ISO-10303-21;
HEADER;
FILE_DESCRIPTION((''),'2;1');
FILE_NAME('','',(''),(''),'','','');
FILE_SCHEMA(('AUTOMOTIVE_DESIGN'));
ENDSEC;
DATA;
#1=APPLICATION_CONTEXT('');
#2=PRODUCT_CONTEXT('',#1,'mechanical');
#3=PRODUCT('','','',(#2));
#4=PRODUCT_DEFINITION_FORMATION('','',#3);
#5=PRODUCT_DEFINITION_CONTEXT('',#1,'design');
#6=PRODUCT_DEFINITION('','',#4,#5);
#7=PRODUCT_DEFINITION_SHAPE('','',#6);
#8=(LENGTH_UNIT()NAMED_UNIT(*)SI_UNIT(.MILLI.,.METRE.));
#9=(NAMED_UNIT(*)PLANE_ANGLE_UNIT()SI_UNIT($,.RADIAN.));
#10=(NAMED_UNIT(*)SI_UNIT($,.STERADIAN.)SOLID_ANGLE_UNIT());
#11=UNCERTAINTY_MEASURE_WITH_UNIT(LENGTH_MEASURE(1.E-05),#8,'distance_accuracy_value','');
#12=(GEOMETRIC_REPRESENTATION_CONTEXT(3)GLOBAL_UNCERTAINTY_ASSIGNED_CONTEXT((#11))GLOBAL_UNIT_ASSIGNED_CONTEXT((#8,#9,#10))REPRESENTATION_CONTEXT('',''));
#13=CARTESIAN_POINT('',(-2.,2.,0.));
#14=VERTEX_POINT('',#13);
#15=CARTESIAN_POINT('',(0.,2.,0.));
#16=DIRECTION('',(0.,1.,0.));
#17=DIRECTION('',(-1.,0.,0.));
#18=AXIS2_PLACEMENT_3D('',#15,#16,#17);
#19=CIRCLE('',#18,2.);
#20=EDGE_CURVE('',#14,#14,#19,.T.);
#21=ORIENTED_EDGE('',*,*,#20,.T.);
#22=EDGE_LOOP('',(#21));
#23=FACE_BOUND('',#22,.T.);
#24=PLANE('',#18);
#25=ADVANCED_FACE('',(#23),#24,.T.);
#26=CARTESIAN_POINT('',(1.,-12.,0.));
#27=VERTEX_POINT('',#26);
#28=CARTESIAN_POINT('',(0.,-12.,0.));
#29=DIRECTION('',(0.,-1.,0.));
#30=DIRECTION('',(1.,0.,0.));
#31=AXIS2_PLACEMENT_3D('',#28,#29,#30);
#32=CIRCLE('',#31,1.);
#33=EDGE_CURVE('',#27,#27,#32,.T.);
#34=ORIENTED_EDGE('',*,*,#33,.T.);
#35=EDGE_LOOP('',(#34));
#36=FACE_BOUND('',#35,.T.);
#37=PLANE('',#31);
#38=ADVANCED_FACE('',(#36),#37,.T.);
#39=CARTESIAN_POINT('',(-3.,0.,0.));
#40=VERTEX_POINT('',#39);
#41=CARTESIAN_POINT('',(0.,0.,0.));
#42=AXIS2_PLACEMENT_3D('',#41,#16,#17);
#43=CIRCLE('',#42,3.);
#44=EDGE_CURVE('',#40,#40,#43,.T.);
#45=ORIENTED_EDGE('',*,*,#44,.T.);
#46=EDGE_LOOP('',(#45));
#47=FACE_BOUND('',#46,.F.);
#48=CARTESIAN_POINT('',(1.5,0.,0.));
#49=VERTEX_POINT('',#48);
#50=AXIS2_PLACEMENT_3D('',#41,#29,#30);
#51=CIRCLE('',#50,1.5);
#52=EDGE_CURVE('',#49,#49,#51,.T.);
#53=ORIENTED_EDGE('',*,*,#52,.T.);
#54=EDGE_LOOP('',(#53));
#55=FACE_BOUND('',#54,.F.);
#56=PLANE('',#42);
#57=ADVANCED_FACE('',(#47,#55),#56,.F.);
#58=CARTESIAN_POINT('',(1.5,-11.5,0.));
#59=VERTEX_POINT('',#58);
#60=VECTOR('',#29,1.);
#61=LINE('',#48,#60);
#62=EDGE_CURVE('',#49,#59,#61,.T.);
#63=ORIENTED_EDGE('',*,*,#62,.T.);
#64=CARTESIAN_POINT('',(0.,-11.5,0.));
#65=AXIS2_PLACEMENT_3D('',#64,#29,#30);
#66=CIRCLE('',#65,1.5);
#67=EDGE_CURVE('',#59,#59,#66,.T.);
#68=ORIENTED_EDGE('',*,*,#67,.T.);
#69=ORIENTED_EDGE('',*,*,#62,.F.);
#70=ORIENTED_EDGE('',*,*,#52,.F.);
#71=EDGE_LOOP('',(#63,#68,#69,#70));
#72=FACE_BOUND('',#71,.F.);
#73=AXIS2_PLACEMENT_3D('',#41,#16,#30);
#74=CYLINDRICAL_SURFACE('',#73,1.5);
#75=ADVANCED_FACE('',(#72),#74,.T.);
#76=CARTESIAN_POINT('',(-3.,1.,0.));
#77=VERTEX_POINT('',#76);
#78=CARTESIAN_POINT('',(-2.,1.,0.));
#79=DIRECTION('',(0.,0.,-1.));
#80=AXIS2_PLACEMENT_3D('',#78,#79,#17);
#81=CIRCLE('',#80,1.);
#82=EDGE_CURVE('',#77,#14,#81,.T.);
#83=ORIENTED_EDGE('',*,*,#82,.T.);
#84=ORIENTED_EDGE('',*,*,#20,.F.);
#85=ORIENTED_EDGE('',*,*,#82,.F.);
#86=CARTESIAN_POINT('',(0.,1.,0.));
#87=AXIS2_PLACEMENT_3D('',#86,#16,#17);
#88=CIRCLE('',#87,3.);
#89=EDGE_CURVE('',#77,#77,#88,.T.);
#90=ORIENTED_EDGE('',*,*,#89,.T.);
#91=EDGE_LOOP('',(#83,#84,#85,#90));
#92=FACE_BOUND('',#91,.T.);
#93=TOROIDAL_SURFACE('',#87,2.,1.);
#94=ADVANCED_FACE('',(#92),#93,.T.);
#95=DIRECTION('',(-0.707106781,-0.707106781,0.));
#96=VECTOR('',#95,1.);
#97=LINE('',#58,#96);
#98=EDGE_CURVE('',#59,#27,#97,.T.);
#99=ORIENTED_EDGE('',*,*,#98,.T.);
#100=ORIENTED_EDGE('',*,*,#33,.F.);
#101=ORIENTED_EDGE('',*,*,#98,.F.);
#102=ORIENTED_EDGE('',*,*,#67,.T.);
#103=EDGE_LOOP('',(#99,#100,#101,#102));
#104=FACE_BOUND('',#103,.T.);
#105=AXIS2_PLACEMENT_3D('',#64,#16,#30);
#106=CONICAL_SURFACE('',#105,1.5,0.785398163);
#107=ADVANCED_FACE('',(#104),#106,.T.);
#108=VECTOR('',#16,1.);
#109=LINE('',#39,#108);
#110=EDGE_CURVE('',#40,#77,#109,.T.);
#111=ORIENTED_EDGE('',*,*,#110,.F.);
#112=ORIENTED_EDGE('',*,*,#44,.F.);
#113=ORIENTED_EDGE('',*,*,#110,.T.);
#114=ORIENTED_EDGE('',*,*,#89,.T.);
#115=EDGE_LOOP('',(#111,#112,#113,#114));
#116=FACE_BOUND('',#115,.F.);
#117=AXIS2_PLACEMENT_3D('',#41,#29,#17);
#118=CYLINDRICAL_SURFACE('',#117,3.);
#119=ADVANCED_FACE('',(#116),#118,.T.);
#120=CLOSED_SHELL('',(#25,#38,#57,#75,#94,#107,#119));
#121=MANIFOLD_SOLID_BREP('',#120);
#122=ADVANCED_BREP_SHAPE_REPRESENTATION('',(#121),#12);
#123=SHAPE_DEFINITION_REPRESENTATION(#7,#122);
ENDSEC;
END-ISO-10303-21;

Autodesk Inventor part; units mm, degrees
ref_plane "YZ Plane" through (0, 0, 0) normal (1, 0, 0) x (0, 1, 0)
ref_plane "XZ Plane" through (0, 0, 0) normal (0, 1, 0) x (-1, 0, 0)
ref_plane "XY Plane" through (0, 0, 0) normal (0, 0, 1) x (1, 0, 0)
sketch "Sketch1" plane through (0, 0, 0) normal (0, 1, 0) x (-1, 0, 0)
  circle A0 centre (0, 0) radius 3
  dimension "d0" = 6
extrude "Extrusion1" add sketch "Sketch1" along normal blind 2
sketch "Sketch2" plane through (0, 0, 0) normal (0, -1, 0) x (1, 0, 0)
  circle A0 centre (0, 0) radius 1.5
  dimension "d3" = 3
extrude "Extrusion2" add sketch "Sketch2" along normal blind 12
chamfer "Chamfer1" distance 0.5 angle 45 1 edges at (-1.5, -12, 0)
fillet "Fillet1" radius 1 1 edges at (3, 2, 0)
properties part number "plastic M3 bolt"
